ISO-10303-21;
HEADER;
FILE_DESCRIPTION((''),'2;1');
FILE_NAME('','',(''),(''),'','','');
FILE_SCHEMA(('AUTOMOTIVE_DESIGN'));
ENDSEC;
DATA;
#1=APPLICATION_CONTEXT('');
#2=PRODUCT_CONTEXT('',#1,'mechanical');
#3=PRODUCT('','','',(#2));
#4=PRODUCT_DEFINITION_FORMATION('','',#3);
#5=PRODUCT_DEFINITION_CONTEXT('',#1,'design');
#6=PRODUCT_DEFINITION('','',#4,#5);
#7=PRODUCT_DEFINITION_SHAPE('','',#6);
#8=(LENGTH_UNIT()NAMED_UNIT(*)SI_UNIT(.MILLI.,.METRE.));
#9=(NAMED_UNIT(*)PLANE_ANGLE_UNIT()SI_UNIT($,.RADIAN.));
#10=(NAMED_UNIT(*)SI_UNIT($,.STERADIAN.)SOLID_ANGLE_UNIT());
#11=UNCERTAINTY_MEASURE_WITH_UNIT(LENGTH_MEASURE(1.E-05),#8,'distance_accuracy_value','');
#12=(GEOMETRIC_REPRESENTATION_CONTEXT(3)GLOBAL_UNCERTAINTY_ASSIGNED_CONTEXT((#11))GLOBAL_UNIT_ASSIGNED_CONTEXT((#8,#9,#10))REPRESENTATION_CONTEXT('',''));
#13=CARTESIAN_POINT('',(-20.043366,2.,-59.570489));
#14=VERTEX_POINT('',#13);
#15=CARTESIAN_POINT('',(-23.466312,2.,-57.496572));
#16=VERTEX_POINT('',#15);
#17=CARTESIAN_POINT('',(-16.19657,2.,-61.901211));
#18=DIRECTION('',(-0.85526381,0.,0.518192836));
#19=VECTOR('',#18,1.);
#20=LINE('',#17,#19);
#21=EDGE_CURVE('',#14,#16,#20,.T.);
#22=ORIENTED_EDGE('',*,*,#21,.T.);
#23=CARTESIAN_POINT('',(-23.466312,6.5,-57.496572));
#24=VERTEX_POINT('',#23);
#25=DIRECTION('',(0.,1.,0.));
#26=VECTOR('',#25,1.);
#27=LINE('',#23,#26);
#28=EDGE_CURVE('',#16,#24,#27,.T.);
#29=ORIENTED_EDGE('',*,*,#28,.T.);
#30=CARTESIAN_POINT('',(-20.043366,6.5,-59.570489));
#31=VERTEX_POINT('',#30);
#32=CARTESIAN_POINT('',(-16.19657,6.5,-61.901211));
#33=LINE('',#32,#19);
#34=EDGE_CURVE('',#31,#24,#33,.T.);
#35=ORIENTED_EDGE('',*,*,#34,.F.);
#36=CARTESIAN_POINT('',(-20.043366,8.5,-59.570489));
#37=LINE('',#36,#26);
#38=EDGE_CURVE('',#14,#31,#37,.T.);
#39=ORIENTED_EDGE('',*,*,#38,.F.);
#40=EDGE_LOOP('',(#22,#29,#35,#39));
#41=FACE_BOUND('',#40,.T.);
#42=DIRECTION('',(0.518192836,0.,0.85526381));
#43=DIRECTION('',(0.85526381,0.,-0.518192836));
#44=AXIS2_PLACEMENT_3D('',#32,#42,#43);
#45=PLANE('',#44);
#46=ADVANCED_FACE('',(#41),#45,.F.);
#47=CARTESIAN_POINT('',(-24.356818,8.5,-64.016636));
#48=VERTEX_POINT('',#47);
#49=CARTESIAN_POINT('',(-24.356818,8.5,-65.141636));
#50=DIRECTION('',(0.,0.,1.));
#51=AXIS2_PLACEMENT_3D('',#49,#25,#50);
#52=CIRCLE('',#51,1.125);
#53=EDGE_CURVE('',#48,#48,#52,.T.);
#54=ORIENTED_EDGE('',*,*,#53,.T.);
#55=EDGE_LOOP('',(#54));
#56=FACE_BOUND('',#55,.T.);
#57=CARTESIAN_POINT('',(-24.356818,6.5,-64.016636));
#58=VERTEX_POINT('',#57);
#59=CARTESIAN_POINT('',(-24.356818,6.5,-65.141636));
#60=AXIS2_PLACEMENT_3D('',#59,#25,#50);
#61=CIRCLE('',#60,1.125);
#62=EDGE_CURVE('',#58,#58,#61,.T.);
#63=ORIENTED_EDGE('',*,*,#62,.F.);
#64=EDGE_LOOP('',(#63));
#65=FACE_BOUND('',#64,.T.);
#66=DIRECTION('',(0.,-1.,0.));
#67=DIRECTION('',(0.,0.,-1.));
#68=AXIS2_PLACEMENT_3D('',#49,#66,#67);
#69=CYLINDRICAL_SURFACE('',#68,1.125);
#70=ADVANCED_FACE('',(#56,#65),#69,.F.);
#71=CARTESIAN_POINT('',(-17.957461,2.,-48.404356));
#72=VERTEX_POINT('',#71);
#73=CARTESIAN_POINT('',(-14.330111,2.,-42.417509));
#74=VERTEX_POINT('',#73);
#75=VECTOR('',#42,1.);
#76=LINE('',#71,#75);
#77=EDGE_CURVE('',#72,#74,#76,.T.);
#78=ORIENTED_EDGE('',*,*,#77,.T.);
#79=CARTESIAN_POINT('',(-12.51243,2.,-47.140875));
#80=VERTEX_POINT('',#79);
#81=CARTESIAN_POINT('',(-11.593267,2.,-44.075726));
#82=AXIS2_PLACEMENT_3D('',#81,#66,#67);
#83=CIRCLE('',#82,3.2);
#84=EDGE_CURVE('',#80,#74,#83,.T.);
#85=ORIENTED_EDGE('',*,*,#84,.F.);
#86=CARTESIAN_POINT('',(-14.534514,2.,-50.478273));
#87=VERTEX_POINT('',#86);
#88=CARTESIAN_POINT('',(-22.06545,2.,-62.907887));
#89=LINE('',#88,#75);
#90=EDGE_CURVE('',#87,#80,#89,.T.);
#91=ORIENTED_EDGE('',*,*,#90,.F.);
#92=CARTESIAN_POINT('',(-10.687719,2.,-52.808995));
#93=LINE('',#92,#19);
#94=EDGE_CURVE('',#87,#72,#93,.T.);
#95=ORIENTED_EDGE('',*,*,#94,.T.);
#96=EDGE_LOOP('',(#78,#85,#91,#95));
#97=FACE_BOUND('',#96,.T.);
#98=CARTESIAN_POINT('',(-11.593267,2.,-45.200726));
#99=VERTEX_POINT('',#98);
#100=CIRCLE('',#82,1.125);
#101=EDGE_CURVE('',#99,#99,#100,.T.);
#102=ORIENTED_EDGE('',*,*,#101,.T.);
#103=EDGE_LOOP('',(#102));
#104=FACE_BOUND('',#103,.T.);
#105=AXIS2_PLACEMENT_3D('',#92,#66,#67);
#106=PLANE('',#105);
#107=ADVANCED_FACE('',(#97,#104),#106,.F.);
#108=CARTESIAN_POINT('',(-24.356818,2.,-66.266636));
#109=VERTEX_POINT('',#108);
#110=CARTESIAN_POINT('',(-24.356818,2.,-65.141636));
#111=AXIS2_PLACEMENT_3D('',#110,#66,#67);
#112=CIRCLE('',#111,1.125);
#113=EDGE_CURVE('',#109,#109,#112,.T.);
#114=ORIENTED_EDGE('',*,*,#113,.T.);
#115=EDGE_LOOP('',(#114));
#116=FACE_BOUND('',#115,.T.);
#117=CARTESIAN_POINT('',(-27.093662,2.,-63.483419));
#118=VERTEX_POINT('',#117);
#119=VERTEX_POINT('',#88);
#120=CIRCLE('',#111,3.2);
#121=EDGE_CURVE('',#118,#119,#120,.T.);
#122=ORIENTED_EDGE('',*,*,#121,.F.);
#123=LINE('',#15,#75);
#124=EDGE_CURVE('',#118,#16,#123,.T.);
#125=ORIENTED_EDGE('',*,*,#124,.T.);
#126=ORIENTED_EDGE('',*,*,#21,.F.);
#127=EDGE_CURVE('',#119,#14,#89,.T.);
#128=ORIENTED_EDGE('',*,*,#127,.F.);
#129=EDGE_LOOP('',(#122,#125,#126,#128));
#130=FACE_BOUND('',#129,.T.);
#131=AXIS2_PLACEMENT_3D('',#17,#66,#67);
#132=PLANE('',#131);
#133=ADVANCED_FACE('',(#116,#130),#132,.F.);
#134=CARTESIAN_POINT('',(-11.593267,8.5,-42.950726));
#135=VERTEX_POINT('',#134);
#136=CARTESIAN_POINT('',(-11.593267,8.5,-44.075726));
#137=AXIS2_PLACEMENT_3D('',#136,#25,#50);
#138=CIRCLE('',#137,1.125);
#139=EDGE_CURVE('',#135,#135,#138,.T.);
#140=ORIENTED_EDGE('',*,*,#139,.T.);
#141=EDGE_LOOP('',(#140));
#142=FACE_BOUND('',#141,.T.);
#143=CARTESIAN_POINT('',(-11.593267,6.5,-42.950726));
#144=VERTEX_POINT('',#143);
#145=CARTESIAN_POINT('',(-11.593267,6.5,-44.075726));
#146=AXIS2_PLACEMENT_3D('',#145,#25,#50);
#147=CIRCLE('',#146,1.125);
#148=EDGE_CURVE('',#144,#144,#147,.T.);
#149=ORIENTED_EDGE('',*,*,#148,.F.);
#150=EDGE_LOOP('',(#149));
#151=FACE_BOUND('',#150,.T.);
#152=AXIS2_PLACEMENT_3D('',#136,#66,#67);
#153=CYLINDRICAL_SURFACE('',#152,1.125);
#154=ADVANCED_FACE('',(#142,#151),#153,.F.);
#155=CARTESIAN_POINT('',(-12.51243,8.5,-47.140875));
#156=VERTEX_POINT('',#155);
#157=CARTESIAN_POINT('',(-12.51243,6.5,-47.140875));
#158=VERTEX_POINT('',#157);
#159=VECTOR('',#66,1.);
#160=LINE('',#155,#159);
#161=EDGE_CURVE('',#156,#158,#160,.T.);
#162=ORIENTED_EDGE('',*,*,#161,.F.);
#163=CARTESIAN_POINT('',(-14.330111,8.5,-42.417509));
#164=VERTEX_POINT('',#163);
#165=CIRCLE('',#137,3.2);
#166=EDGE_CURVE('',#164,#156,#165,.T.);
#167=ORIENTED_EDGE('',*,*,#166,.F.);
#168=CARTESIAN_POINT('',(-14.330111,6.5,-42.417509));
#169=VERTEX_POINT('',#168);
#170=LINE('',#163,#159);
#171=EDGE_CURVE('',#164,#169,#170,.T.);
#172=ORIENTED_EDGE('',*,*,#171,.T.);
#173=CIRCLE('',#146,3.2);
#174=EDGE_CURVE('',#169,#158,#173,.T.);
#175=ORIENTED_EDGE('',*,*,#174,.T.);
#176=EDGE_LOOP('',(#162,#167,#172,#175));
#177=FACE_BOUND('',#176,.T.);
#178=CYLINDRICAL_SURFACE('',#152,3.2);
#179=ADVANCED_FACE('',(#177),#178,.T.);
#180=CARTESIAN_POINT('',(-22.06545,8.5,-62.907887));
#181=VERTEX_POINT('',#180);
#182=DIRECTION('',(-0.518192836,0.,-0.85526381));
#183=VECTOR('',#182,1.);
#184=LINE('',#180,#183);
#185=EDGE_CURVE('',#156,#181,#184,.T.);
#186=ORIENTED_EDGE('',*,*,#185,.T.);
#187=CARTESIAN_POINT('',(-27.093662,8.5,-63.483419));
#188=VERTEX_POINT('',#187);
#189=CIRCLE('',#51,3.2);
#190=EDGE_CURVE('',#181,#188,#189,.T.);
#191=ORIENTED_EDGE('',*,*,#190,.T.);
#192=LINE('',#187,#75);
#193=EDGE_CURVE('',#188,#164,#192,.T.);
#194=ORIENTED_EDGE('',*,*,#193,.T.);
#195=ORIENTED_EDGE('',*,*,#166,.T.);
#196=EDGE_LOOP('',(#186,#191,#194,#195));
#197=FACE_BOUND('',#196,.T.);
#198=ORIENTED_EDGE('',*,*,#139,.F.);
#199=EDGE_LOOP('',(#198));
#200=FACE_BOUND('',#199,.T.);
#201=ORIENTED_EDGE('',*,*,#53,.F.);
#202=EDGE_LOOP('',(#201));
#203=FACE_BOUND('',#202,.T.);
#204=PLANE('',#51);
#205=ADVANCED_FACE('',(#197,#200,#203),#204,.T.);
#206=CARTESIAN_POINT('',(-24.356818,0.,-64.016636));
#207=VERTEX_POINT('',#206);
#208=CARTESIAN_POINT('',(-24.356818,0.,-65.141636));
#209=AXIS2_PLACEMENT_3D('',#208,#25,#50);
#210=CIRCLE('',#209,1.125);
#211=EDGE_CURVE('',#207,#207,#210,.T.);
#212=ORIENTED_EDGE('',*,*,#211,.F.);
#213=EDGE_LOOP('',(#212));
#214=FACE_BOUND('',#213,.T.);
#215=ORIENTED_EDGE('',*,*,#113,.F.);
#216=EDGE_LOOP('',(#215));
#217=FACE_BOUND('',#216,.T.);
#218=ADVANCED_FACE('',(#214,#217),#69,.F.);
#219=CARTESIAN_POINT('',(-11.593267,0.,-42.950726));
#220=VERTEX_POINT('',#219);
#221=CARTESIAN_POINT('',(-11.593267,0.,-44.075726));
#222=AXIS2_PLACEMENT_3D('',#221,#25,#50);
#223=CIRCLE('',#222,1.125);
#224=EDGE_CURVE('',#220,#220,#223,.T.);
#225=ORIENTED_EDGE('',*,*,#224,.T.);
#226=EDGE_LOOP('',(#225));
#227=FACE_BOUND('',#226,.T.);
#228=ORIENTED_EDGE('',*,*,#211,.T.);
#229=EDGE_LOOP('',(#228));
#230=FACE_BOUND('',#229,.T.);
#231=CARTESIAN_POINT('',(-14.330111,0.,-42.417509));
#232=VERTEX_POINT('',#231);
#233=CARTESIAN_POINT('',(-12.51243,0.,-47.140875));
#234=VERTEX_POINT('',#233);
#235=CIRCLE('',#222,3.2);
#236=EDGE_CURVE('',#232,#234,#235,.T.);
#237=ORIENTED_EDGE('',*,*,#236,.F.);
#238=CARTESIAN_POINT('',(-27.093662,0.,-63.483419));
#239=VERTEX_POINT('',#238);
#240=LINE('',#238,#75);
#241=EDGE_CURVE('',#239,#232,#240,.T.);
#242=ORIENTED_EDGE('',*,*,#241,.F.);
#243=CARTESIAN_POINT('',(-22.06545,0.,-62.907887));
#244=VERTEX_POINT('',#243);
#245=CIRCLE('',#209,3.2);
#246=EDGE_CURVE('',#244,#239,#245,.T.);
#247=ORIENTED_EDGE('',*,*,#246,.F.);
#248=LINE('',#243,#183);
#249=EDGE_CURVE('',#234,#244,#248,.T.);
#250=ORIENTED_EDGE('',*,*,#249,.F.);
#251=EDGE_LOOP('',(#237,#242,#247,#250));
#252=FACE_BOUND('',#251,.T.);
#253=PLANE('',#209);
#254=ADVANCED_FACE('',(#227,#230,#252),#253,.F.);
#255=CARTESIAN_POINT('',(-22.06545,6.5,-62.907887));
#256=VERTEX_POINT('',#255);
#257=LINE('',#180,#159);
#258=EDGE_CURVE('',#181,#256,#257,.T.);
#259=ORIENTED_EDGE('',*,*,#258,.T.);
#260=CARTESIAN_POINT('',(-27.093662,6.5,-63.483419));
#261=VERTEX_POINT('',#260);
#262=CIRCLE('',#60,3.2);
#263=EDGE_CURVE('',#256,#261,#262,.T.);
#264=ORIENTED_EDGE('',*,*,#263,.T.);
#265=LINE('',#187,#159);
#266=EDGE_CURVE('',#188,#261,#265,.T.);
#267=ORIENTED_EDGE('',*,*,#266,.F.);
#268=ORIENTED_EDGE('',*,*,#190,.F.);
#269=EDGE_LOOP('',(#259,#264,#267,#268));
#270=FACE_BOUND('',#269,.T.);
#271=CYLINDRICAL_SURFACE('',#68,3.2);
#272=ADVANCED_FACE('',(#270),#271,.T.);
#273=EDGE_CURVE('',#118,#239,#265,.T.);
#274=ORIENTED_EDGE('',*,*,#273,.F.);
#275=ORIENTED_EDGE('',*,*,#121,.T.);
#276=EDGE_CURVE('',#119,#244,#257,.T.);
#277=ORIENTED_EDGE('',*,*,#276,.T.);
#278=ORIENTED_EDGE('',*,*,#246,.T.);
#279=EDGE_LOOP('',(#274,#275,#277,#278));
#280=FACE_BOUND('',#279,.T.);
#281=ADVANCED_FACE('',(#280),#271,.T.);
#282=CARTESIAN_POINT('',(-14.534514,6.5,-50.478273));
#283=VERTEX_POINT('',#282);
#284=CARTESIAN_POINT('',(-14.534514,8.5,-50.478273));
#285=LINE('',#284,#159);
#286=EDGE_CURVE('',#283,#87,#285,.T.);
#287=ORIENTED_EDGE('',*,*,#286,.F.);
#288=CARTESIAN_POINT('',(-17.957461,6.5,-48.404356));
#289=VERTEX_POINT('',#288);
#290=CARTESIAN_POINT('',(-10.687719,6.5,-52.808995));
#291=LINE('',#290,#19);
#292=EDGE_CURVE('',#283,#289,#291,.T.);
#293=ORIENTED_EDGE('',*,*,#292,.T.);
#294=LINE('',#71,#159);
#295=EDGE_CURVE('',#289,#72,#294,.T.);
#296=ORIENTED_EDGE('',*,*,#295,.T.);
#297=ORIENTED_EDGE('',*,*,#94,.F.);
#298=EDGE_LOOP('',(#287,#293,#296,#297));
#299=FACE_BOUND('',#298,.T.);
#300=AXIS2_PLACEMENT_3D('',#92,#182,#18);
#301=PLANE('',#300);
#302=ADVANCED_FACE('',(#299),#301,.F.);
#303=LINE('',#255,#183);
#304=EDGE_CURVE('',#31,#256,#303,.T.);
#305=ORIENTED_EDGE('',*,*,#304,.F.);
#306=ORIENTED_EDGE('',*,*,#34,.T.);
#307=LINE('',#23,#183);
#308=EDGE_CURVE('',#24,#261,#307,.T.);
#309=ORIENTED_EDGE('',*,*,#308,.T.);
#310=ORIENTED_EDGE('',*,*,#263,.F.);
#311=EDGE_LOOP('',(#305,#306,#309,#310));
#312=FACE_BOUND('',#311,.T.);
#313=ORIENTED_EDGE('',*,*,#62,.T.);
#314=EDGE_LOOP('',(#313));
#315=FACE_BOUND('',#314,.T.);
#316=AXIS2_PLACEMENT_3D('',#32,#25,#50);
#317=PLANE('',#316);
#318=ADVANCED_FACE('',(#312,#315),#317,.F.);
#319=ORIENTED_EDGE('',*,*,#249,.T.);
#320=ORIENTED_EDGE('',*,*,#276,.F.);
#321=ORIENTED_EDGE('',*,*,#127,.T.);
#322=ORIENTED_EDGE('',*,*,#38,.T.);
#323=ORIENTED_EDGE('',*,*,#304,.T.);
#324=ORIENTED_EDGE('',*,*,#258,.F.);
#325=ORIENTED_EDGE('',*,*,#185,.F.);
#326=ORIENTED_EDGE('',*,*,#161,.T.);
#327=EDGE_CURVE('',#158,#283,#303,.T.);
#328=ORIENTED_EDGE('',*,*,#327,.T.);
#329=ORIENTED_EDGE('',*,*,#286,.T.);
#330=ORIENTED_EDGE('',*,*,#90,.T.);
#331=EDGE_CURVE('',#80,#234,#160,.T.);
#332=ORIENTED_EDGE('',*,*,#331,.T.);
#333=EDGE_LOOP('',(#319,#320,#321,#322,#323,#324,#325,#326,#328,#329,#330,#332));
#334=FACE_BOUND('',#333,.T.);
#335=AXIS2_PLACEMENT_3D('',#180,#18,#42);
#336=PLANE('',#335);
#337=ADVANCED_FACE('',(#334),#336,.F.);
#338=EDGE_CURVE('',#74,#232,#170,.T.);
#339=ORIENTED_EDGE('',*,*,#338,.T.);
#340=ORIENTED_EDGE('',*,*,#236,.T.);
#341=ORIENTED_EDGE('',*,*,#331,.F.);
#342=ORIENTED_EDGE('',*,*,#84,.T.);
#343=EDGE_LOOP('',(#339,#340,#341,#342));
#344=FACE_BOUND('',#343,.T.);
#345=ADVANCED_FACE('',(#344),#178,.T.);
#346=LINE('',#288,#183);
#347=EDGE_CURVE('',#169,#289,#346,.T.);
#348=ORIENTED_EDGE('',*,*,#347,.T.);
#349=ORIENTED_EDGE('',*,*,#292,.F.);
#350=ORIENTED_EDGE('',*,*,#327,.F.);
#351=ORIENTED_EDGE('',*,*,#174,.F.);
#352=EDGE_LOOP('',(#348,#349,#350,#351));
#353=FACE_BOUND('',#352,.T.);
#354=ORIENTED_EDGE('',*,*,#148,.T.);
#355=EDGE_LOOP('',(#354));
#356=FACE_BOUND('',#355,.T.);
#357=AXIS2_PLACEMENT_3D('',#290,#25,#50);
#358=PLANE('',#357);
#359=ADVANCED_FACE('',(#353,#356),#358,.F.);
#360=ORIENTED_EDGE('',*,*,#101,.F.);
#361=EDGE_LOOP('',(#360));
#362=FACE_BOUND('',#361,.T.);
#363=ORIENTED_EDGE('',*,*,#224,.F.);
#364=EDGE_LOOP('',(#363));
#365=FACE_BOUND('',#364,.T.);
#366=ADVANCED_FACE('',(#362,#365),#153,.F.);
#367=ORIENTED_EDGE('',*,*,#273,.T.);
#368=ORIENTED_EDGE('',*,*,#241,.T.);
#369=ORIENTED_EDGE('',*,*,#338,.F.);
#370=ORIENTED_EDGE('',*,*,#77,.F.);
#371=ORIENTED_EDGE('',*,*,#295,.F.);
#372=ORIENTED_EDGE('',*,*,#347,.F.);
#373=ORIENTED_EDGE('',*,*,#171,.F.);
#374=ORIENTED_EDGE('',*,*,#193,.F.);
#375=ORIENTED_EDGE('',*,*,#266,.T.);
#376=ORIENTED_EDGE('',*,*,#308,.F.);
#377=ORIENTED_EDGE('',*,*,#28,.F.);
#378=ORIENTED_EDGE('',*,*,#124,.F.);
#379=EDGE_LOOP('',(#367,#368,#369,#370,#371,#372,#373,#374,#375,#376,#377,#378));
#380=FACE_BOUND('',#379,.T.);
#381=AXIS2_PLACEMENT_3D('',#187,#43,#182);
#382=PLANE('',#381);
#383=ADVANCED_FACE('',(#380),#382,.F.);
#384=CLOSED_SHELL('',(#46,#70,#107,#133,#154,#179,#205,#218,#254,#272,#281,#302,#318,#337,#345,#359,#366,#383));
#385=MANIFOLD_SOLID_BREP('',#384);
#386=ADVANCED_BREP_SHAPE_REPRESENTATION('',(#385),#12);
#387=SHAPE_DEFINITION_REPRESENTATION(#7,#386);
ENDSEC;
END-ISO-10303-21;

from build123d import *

# Parameters (mm, degrees)
SKETCH1_R           = 1.125
BOSS_EXTRUDE5_DEPTH = 8.5
SKETCH3_W           = 15.998285444
SKETCH3_H           = 4.5
SKETCH3_W_2         = 14.781977404
CUT_EXTRUDE1_DEPTH  = 8.5


with BuildPart() as part:
    # Sketch1 → Boss-Extrude5 (new body)
    with BuildSketch(Plane(origin=(0, 0, 0), x_dir=(1, 0, 0), z_dir=(0, 1, 0))):
        with BuildLine():
            Line((-27.093662294, 63.483418595), (-14.330111131, 42.417509095))
            ThreePointArc((-14.330111131, 42.417509095), (-8.606773323, 42.92644123), (-12.512429784, 47.140875379))
            Line((-12.512429784, 47.140875379), (-22.065450081, 62.90788712))
            ThreePointArc((-22.065450081, 62.90788712), (-23.992920625, 68.320877504), (-27.093662294, 63.483418595))
        make_face()
        with Locations(Location((-24.356818103, 65.141635672, 0), (0, 0, 270))):
            Circle(SKETCH1_R, mode=Mode.SUBTRACT)
        with Locations(Location((-11.59326694, 44.075726171, 0), (0, 0, 270))):
            Circle(SKETCH1_R, mode=Mode.SUBTRACT)
    extrude(amount=BOSS_EXTRUDE5_DEPTH)

    # Sketch3 → Cut-Extrude1 (cut)
    with BuildSketch(Plane(origin=(8.31694784, 0, -5.039126807), x_dir=(0.518192836351311, 0, 0.855263809800335), z_dir=(-0.8552638098003349, 0, 0.5181928363513109))):
        with Locations((-69.33395488, 4.25)):
            Rectangle(SKETCH3_W, SKETCH3_H)
        with Locations((-43.312932661, 4.25)):
            Rectangle(SKETCH3_W_2, SKETCH3_H)
    extrude(amount=-CUT_EXTRUDE1_DEPTH, mode=Mode.SUBTRACT)


solid = part.part
